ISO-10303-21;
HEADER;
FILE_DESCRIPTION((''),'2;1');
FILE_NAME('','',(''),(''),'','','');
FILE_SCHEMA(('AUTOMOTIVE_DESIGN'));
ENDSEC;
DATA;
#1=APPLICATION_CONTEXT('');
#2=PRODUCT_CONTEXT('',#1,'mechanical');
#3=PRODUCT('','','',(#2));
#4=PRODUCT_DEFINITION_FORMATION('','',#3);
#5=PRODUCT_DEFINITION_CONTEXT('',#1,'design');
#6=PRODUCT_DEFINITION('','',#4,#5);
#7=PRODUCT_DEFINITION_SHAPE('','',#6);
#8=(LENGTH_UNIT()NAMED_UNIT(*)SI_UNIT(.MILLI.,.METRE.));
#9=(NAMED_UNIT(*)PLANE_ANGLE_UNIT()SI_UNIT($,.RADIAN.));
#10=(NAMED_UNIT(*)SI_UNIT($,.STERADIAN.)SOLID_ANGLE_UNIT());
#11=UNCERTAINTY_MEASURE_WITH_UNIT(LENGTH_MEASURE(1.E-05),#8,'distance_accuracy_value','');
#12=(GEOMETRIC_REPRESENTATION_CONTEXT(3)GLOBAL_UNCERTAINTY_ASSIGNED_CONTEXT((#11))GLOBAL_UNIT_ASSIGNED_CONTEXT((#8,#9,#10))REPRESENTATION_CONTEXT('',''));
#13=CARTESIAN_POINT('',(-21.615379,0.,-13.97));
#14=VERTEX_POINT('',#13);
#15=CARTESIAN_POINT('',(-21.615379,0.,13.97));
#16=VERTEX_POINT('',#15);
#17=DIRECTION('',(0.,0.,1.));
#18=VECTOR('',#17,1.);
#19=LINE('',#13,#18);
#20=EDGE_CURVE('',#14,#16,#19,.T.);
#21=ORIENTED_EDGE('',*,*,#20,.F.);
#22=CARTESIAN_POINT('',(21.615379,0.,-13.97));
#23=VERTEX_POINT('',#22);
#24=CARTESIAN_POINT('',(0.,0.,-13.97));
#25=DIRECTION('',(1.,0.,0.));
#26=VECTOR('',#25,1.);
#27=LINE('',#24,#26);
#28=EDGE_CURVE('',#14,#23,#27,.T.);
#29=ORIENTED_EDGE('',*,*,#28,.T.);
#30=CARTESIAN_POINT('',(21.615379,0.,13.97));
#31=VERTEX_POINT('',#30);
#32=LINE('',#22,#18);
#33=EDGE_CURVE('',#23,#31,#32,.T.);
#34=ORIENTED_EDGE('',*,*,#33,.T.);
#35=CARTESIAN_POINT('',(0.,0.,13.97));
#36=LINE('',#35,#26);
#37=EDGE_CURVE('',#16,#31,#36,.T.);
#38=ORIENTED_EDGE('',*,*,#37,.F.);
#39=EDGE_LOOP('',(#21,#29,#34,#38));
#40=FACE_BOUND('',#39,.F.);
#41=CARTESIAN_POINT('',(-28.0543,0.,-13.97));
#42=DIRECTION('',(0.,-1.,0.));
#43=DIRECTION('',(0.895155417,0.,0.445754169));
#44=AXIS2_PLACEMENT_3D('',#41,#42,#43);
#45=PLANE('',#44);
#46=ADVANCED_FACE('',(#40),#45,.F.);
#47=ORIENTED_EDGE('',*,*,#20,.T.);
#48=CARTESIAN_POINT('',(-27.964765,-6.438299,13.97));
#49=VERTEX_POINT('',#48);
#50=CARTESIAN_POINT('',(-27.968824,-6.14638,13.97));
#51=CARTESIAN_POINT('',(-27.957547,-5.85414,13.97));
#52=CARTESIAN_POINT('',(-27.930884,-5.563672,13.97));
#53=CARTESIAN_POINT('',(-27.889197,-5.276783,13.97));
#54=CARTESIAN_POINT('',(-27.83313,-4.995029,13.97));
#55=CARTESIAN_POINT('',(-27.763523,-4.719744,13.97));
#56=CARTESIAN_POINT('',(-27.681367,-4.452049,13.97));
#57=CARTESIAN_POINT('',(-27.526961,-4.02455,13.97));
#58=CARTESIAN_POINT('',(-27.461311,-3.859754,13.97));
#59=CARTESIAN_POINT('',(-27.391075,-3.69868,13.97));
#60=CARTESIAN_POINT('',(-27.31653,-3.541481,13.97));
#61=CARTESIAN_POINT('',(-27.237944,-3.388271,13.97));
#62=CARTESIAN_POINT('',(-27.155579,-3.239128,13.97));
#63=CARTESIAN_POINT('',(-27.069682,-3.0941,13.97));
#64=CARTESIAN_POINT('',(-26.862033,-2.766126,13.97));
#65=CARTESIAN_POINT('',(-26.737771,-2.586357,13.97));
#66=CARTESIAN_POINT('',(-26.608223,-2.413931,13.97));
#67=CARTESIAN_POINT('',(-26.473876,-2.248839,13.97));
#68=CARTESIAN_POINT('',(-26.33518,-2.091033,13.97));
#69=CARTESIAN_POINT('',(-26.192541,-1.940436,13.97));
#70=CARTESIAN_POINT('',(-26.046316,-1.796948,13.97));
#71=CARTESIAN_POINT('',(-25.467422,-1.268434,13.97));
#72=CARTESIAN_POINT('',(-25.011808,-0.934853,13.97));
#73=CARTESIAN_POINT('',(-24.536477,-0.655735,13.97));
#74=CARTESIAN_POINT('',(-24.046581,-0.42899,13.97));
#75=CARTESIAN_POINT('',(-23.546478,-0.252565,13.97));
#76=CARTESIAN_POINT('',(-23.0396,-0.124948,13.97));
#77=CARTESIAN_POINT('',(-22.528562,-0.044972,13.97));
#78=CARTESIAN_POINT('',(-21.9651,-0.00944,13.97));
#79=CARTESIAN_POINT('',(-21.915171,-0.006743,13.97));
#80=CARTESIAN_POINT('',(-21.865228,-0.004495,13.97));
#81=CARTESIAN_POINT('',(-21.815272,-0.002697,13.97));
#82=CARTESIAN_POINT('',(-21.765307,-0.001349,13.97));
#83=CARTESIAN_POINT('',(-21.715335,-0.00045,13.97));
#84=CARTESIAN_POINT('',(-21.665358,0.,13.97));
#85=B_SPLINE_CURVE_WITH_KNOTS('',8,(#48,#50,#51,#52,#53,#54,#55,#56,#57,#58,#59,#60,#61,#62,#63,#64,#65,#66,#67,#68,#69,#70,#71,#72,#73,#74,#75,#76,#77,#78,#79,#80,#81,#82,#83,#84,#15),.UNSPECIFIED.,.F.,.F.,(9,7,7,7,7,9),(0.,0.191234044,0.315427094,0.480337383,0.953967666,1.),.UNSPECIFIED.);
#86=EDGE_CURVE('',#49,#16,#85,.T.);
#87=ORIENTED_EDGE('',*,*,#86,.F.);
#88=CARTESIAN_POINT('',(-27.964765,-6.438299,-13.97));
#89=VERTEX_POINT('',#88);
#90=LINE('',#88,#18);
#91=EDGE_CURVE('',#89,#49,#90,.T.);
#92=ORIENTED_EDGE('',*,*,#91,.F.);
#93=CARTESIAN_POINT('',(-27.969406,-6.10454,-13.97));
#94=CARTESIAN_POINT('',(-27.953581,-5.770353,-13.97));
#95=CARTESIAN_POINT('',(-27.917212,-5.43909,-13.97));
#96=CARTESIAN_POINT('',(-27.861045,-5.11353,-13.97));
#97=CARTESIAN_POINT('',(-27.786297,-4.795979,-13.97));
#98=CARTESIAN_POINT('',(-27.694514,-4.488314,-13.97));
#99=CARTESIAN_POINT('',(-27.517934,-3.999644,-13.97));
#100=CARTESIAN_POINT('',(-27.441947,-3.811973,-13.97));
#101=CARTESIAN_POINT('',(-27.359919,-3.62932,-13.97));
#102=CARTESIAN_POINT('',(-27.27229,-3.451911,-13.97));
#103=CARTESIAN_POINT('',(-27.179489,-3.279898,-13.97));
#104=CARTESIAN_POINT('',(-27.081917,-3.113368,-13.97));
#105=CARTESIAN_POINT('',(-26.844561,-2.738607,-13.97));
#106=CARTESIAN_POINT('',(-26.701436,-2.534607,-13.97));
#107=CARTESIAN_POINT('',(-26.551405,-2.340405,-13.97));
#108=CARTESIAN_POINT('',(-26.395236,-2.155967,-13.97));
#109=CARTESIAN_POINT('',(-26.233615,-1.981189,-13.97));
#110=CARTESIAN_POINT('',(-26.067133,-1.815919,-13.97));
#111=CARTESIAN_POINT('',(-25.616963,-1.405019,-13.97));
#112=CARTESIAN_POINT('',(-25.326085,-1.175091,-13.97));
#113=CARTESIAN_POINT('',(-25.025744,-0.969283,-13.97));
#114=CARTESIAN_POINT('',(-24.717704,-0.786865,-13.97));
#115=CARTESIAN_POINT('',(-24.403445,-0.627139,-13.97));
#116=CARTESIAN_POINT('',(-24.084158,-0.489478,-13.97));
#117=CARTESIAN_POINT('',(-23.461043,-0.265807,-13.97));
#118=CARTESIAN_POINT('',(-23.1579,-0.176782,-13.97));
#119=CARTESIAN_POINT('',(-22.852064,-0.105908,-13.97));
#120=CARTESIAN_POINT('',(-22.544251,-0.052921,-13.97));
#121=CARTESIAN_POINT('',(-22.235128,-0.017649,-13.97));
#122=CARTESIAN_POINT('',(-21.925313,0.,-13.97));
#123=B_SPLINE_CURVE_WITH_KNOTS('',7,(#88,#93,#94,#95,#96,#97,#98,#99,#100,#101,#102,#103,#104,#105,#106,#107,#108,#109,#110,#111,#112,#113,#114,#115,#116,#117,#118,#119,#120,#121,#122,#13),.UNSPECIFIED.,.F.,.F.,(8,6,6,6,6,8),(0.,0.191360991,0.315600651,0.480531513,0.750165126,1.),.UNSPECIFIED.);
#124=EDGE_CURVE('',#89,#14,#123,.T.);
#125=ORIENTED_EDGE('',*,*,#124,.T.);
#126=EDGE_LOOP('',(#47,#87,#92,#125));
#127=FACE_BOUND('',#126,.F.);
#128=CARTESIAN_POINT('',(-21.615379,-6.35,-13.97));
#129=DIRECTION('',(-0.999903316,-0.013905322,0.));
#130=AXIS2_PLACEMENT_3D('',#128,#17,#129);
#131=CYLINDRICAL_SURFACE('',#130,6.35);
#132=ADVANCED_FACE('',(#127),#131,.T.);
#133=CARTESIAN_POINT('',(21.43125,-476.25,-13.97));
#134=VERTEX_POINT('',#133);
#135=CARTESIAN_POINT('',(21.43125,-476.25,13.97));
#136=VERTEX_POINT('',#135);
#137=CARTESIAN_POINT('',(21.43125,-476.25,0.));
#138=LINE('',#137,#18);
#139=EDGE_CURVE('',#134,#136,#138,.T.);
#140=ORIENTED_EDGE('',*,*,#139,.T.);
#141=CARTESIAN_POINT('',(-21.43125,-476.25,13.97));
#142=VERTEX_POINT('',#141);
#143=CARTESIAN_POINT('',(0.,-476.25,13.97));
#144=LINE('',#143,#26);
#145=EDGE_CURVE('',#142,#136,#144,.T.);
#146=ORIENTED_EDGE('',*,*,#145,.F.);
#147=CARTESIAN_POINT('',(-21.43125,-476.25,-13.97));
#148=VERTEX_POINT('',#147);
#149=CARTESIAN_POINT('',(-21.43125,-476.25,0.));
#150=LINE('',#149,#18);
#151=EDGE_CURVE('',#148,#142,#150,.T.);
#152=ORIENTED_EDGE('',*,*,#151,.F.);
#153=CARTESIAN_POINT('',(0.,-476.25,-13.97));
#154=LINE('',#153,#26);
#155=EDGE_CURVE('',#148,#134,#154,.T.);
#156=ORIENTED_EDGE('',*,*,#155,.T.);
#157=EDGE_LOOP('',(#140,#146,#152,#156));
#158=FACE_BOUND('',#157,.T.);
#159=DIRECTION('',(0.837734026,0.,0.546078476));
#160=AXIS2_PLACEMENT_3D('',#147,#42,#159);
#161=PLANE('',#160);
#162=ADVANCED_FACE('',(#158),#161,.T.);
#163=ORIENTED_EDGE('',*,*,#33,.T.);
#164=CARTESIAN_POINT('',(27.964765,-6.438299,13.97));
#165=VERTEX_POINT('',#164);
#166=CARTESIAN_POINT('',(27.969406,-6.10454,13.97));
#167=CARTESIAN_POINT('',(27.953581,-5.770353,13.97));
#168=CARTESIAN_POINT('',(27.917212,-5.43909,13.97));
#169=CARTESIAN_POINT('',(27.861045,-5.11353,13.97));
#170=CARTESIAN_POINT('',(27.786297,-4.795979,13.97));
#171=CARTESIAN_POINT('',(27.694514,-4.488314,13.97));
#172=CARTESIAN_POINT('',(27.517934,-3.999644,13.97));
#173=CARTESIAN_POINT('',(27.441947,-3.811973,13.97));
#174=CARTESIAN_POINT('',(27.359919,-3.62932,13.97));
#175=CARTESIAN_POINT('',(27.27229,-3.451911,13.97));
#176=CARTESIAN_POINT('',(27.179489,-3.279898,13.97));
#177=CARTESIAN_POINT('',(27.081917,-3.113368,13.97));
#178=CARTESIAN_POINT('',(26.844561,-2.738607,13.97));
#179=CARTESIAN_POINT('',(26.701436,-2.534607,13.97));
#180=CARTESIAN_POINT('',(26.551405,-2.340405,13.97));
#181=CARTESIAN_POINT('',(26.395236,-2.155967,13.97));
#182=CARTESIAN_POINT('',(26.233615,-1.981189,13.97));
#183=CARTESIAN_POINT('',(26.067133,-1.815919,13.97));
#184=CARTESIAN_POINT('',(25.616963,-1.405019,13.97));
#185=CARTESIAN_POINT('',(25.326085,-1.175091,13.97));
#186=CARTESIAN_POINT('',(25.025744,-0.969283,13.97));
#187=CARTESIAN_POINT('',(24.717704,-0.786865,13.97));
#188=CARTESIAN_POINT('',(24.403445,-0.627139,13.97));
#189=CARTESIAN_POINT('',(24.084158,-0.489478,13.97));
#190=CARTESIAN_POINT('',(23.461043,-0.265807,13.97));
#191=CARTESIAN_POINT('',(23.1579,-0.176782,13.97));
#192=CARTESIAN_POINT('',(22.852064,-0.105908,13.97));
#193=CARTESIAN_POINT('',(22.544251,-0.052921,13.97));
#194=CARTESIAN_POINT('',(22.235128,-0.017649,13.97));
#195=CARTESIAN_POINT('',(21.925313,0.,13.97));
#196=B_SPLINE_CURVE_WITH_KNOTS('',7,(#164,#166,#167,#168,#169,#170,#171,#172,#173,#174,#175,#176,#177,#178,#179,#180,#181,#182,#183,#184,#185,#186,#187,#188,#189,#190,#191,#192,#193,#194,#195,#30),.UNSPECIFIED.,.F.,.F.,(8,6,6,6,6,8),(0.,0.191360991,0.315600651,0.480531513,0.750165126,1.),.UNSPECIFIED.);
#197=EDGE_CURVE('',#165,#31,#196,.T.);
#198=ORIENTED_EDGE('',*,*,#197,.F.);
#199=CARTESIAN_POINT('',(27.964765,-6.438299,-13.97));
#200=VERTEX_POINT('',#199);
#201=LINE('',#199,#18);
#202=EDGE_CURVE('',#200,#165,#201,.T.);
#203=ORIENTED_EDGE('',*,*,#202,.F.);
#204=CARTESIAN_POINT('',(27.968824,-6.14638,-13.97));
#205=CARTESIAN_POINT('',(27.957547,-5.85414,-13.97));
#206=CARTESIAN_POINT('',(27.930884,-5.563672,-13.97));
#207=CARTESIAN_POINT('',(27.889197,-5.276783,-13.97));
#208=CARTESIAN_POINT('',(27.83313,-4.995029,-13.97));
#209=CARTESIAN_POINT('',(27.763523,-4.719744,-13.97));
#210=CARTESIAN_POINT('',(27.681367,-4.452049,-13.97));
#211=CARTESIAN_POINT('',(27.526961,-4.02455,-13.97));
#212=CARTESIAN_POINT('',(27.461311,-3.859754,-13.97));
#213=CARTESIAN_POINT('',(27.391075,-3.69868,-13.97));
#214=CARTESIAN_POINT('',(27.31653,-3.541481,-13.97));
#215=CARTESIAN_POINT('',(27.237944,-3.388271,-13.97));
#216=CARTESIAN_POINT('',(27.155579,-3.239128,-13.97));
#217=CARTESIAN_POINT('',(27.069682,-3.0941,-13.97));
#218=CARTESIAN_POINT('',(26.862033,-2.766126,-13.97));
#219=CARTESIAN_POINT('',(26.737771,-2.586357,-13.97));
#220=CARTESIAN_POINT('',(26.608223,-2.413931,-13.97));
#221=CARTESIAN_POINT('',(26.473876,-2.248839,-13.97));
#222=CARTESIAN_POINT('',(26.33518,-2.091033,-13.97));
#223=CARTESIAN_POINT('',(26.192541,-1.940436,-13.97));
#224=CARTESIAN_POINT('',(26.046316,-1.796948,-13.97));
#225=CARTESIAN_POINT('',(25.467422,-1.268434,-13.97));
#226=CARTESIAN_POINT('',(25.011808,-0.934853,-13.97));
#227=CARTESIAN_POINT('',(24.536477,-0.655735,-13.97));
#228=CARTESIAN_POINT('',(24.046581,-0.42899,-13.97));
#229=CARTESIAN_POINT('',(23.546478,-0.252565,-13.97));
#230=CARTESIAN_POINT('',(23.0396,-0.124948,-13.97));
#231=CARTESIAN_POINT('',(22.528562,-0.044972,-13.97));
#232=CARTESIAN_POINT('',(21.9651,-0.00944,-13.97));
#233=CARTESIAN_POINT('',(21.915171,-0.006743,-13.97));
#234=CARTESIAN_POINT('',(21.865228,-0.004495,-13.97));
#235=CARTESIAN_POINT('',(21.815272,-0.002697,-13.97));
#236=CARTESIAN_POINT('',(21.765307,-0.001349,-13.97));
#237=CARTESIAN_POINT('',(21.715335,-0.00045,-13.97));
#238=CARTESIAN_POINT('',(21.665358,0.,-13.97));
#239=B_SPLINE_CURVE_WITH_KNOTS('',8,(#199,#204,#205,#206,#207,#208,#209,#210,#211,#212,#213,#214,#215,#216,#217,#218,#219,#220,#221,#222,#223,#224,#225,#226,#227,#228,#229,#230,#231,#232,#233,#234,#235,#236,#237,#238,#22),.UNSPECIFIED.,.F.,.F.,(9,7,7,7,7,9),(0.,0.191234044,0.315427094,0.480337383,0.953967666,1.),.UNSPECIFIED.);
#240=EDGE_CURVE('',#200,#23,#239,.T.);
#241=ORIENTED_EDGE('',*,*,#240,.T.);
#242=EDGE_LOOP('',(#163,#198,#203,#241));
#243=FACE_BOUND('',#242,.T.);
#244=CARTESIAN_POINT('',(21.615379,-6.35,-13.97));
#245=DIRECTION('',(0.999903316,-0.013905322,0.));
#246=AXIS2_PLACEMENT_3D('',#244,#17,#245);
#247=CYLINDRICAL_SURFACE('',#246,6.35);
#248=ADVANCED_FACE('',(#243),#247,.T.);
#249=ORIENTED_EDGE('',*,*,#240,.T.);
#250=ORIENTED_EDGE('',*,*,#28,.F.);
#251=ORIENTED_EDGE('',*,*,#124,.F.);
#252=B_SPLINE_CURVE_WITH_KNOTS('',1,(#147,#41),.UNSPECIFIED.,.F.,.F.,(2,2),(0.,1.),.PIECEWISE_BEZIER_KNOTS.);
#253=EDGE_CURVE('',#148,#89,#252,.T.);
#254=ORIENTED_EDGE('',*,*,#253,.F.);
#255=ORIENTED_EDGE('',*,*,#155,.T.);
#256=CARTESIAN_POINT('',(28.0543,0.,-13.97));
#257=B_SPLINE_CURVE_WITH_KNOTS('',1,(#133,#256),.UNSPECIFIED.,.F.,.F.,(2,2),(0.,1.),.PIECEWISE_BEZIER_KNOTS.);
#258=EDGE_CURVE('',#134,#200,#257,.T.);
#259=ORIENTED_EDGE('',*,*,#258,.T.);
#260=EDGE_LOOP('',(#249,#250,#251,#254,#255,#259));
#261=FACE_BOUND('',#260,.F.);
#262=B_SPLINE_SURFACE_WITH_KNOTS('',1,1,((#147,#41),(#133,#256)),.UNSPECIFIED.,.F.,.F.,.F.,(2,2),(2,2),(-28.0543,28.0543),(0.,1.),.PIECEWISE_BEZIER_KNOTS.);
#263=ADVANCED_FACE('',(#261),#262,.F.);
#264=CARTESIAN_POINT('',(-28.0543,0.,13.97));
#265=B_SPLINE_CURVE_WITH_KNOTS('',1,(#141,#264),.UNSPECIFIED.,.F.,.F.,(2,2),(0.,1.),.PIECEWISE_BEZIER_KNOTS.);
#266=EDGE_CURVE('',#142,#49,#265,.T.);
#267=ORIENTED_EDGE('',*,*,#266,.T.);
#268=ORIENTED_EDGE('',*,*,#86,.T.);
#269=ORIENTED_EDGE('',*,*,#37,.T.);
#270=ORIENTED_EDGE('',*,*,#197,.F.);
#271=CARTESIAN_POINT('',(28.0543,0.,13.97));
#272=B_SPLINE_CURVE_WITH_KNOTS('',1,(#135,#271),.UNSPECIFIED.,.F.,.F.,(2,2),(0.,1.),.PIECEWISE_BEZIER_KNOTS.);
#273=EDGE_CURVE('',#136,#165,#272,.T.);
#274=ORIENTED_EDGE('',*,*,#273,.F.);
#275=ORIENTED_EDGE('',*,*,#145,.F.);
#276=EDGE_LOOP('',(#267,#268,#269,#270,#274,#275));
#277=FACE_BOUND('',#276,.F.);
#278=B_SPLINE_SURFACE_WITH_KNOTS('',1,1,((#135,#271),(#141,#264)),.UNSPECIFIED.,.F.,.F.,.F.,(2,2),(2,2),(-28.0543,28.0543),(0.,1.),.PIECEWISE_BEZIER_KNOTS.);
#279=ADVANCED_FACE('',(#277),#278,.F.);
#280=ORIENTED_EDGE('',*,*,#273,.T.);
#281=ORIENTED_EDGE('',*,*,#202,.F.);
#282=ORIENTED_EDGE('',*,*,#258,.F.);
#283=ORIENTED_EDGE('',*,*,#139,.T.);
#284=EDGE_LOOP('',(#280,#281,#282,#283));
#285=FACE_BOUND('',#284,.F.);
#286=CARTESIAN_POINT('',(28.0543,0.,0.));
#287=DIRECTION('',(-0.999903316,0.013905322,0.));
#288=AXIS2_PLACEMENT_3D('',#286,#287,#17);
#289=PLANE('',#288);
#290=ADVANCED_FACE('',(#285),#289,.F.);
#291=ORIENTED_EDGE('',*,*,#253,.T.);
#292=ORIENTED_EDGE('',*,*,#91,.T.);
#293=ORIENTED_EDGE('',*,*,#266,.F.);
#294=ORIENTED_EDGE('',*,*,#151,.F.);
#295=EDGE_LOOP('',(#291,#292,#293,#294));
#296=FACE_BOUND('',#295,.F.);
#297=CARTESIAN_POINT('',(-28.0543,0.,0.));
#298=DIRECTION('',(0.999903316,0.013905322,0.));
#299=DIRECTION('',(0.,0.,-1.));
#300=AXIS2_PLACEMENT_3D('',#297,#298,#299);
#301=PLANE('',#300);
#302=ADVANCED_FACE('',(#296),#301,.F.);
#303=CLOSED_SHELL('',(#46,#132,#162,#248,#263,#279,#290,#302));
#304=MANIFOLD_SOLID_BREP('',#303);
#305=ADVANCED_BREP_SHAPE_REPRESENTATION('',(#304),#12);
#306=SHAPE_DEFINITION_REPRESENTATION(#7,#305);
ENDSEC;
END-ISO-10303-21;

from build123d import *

# Parameters (mm, degrees)
F2_W = 42.8625
F2_H = 27.94
F0_W = 56.1086
F0_H = 27.94
F4_R = 6.35


with BuildPart() as f3:
    # F2 (on offset) → F3 section 0
    with BuildSketch(Plane.XZ.offset(476.25)):
        Rectangle(F2_W, F2_H)
    # F0 (on Front) → F3 section 1
    with BuildSketch(Plane.XZ):
        Rectangle(F0_W, F0_H)
    loft()

    # F4
    f4_edges = [f3.edges().sort_by_distance(p)[0] for p in [
        (-28.0543, 0, 0),
        (28.0543, 0, 0),
    ]]
    fillet(f4_edges, radius=F4_R)


solid = f3.part
